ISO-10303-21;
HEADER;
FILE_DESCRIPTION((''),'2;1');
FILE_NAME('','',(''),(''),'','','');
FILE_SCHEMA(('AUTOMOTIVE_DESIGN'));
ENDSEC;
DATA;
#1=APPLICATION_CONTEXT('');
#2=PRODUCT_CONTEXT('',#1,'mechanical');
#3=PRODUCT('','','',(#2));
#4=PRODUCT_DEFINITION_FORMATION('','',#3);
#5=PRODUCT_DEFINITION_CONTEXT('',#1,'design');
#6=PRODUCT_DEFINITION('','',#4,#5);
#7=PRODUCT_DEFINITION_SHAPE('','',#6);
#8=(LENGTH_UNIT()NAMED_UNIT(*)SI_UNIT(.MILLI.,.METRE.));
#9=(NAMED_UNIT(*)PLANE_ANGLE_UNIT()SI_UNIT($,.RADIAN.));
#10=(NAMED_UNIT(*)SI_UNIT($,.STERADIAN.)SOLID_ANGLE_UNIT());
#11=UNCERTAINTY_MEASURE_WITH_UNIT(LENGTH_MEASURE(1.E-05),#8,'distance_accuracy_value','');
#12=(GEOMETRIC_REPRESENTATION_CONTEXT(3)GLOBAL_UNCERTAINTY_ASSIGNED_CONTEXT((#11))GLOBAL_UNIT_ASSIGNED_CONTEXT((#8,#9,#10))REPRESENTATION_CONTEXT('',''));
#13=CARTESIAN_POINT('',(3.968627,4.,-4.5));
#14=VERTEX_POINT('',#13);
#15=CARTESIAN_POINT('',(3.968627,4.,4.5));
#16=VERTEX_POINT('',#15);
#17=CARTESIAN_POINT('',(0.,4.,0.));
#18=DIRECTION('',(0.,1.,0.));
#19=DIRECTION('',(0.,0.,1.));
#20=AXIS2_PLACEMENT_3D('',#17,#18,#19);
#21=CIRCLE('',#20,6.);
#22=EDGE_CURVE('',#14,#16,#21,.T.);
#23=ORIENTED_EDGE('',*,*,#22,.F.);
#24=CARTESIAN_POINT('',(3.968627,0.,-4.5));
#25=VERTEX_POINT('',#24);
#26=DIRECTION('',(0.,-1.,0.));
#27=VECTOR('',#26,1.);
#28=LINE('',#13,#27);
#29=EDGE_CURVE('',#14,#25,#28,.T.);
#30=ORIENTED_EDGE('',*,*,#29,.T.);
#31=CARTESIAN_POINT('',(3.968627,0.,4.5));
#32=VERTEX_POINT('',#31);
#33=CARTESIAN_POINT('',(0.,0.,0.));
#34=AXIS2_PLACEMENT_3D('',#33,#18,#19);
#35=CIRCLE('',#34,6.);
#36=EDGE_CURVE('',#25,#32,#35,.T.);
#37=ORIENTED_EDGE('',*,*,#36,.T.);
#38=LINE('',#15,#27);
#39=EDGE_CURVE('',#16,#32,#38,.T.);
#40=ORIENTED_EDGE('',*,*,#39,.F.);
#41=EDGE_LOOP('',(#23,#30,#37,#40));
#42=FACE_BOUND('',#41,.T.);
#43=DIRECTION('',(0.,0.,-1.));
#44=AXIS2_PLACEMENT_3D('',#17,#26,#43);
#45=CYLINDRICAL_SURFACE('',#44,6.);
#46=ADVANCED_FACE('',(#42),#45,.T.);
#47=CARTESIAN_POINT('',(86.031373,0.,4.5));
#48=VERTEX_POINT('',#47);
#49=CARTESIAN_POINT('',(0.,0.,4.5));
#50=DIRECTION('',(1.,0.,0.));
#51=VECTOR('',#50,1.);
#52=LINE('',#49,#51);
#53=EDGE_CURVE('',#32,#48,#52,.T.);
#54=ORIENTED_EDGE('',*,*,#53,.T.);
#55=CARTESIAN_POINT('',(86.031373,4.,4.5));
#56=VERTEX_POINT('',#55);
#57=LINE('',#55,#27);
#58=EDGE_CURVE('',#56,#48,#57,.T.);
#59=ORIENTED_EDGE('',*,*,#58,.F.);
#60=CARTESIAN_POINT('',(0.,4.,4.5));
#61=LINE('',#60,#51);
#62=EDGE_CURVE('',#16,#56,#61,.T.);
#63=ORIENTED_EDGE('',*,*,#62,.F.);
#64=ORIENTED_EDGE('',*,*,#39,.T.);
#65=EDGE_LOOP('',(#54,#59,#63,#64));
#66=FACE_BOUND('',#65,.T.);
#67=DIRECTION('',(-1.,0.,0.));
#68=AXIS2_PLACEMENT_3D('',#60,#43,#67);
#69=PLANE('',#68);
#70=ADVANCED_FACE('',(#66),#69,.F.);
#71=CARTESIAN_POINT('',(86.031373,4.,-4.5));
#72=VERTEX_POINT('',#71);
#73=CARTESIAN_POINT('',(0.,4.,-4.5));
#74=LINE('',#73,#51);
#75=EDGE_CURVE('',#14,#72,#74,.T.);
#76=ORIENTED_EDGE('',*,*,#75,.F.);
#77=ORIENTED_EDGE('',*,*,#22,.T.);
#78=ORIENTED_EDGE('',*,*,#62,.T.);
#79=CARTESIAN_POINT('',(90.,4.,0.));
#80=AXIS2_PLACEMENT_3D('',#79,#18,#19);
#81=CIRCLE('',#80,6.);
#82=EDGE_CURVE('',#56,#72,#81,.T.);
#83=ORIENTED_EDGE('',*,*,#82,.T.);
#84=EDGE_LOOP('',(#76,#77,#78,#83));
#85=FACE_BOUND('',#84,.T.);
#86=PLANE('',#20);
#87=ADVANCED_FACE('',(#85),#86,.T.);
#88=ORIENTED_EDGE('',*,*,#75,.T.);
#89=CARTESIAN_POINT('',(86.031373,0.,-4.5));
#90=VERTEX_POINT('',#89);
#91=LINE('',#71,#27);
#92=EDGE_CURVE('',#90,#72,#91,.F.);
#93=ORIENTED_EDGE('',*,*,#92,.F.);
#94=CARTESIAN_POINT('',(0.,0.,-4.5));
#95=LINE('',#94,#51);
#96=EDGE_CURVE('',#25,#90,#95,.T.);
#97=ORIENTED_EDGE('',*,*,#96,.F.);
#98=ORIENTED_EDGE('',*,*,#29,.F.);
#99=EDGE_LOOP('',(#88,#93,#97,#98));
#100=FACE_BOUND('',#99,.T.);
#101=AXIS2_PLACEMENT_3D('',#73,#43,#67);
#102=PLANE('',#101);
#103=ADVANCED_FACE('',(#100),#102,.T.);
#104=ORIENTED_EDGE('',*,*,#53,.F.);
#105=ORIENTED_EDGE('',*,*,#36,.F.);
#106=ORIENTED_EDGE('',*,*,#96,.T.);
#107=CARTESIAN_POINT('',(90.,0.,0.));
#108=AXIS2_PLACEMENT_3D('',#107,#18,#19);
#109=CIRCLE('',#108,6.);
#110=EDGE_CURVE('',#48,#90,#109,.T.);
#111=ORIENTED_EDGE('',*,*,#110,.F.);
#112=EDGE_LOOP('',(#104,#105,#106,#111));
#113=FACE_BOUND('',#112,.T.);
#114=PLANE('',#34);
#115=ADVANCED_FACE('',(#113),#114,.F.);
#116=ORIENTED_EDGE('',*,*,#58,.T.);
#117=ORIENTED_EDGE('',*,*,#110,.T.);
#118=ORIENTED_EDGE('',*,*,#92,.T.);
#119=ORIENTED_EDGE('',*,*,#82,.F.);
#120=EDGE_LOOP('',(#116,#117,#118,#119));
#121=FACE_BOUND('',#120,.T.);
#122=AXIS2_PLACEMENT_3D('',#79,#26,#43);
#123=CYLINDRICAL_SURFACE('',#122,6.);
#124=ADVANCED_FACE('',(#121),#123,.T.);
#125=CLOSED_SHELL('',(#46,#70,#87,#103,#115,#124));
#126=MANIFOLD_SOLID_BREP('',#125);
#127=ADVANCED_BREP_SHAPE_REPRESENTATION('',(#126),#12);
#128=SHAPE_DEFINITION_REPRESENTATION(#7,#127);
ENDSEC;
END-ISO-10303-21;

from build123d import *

# Parameters (mm, degrees)
SKETCH_1_R      = 6
EXTRUDE_1_DEPTH = 4


with BuildPart() as part:
    # 草图1 → 凸台-拉伸1 (new body)
    with BuildSketch(Plane(origin=(0, 0, 0), x_dir=(1, 0, 0), z_dir=(0, 1, 0))):
        Circle(SKETCH_1_R)
        with Locations((90, 0)):
            Circle(SKETCH_1_R)
        with BuildLine():
            Line((0, 4.5), (90, 4.5))
            ThreePointArc((90, 4.5), (94.5, 0), (90, -4.5))
            Line((90, -4.5), (0, -4.5))
            ThreePointArc((0, -4.5), (-4.5, 0), (0, 4.5))
        make_face()
    extrude(amount=EXTRUDE_1_DEPTH)


solid = part.part
